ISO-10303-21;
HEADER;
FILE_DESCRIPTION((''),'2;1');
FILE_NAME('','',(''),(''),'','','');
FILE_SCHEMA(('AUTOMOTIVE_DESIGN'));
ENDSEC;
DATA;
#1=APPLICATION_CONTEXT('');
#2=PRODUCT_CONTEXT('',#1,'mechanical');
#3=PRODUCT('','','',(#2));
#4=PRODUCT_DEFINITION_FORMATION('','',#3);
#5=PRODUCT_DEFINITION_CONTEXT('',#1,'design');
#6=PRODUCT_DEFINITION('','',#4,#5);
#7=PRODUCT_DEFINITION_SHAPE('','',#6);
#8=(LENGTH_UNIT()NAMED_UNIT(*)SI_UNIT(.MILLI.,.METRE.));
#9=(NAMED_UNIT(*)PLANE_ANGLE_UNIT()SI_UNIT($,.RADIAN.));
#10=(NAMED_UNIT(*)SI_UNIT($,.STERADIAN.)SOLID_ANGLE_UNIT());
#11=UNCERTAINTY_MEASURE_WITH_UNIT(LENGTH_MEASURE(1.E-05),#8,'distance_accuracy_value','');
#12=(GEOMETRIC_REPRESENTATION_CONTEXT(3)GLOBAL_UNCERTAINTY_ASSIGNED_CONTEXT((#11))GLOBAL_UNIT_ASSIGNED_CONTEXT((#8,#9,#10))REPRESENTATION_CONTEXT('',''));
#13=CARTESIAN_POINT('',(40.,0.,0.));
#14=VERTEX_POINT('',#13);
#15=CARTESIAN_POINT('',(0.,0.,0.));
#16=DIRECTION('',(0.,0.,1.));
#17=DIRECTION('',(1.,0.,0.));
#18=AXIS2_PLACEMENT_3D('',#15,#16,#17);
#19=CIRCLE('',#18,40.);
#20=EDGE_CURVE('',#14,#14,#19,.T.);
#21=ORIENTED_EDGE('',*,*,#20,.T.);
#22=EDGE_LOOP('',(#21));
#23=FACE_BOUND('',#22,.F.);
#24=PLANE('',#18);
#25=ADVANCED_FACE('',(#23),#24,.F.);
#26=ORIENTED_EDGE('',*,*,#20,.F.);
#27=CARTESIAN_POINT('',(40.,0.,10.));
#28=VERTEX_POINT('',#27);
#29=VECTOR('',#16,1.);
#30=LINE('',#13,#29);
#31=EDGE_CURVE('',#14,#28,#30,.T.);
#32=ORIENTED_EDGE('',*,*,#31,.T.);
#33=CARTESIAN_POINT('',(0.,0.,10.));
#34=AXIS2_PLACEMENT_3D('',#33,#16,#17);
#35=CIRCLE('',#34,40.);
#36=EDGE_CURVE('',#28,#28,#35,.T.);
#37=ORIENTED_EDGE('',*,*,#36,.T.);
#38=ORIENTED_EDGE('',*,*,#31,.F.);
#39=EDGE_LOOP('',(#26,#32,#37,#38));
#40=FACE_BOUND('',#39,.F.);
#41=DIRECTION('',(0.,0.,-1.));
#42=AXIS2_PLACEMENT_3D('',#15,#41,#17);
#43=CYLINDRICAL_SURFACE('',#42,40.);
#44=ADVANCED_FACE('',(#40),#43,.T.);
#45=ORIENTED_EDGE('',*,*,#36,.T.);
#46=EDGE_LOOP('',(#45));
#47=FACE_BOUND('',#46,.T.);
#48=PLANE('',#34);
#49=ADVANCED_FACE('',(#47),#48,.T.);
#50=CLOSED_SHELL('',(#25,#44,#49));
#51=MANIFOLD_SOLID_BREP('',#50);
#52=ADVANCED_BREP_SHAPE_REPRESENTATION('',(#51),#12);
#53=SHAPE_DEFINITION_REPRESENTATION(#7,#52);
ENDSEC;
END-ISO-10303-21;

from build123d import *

# Parameters (mm, degrees)
SKIZZE1_R                       = 40
AUFSATZ_LINEAR_AUSTRAGEN1_DEPTH = 10


with BuildPart() as part:
    # Skizze1 → Aufsatz-Linear austragen1 (new body)
    with BuildSketch(Plane.XY):
        Circle(SKIZZE1_R)
    extrude(amount=AUFSATZ_LINEAR_AUSTRAGEN1_DEPTH)


solid = part.part
